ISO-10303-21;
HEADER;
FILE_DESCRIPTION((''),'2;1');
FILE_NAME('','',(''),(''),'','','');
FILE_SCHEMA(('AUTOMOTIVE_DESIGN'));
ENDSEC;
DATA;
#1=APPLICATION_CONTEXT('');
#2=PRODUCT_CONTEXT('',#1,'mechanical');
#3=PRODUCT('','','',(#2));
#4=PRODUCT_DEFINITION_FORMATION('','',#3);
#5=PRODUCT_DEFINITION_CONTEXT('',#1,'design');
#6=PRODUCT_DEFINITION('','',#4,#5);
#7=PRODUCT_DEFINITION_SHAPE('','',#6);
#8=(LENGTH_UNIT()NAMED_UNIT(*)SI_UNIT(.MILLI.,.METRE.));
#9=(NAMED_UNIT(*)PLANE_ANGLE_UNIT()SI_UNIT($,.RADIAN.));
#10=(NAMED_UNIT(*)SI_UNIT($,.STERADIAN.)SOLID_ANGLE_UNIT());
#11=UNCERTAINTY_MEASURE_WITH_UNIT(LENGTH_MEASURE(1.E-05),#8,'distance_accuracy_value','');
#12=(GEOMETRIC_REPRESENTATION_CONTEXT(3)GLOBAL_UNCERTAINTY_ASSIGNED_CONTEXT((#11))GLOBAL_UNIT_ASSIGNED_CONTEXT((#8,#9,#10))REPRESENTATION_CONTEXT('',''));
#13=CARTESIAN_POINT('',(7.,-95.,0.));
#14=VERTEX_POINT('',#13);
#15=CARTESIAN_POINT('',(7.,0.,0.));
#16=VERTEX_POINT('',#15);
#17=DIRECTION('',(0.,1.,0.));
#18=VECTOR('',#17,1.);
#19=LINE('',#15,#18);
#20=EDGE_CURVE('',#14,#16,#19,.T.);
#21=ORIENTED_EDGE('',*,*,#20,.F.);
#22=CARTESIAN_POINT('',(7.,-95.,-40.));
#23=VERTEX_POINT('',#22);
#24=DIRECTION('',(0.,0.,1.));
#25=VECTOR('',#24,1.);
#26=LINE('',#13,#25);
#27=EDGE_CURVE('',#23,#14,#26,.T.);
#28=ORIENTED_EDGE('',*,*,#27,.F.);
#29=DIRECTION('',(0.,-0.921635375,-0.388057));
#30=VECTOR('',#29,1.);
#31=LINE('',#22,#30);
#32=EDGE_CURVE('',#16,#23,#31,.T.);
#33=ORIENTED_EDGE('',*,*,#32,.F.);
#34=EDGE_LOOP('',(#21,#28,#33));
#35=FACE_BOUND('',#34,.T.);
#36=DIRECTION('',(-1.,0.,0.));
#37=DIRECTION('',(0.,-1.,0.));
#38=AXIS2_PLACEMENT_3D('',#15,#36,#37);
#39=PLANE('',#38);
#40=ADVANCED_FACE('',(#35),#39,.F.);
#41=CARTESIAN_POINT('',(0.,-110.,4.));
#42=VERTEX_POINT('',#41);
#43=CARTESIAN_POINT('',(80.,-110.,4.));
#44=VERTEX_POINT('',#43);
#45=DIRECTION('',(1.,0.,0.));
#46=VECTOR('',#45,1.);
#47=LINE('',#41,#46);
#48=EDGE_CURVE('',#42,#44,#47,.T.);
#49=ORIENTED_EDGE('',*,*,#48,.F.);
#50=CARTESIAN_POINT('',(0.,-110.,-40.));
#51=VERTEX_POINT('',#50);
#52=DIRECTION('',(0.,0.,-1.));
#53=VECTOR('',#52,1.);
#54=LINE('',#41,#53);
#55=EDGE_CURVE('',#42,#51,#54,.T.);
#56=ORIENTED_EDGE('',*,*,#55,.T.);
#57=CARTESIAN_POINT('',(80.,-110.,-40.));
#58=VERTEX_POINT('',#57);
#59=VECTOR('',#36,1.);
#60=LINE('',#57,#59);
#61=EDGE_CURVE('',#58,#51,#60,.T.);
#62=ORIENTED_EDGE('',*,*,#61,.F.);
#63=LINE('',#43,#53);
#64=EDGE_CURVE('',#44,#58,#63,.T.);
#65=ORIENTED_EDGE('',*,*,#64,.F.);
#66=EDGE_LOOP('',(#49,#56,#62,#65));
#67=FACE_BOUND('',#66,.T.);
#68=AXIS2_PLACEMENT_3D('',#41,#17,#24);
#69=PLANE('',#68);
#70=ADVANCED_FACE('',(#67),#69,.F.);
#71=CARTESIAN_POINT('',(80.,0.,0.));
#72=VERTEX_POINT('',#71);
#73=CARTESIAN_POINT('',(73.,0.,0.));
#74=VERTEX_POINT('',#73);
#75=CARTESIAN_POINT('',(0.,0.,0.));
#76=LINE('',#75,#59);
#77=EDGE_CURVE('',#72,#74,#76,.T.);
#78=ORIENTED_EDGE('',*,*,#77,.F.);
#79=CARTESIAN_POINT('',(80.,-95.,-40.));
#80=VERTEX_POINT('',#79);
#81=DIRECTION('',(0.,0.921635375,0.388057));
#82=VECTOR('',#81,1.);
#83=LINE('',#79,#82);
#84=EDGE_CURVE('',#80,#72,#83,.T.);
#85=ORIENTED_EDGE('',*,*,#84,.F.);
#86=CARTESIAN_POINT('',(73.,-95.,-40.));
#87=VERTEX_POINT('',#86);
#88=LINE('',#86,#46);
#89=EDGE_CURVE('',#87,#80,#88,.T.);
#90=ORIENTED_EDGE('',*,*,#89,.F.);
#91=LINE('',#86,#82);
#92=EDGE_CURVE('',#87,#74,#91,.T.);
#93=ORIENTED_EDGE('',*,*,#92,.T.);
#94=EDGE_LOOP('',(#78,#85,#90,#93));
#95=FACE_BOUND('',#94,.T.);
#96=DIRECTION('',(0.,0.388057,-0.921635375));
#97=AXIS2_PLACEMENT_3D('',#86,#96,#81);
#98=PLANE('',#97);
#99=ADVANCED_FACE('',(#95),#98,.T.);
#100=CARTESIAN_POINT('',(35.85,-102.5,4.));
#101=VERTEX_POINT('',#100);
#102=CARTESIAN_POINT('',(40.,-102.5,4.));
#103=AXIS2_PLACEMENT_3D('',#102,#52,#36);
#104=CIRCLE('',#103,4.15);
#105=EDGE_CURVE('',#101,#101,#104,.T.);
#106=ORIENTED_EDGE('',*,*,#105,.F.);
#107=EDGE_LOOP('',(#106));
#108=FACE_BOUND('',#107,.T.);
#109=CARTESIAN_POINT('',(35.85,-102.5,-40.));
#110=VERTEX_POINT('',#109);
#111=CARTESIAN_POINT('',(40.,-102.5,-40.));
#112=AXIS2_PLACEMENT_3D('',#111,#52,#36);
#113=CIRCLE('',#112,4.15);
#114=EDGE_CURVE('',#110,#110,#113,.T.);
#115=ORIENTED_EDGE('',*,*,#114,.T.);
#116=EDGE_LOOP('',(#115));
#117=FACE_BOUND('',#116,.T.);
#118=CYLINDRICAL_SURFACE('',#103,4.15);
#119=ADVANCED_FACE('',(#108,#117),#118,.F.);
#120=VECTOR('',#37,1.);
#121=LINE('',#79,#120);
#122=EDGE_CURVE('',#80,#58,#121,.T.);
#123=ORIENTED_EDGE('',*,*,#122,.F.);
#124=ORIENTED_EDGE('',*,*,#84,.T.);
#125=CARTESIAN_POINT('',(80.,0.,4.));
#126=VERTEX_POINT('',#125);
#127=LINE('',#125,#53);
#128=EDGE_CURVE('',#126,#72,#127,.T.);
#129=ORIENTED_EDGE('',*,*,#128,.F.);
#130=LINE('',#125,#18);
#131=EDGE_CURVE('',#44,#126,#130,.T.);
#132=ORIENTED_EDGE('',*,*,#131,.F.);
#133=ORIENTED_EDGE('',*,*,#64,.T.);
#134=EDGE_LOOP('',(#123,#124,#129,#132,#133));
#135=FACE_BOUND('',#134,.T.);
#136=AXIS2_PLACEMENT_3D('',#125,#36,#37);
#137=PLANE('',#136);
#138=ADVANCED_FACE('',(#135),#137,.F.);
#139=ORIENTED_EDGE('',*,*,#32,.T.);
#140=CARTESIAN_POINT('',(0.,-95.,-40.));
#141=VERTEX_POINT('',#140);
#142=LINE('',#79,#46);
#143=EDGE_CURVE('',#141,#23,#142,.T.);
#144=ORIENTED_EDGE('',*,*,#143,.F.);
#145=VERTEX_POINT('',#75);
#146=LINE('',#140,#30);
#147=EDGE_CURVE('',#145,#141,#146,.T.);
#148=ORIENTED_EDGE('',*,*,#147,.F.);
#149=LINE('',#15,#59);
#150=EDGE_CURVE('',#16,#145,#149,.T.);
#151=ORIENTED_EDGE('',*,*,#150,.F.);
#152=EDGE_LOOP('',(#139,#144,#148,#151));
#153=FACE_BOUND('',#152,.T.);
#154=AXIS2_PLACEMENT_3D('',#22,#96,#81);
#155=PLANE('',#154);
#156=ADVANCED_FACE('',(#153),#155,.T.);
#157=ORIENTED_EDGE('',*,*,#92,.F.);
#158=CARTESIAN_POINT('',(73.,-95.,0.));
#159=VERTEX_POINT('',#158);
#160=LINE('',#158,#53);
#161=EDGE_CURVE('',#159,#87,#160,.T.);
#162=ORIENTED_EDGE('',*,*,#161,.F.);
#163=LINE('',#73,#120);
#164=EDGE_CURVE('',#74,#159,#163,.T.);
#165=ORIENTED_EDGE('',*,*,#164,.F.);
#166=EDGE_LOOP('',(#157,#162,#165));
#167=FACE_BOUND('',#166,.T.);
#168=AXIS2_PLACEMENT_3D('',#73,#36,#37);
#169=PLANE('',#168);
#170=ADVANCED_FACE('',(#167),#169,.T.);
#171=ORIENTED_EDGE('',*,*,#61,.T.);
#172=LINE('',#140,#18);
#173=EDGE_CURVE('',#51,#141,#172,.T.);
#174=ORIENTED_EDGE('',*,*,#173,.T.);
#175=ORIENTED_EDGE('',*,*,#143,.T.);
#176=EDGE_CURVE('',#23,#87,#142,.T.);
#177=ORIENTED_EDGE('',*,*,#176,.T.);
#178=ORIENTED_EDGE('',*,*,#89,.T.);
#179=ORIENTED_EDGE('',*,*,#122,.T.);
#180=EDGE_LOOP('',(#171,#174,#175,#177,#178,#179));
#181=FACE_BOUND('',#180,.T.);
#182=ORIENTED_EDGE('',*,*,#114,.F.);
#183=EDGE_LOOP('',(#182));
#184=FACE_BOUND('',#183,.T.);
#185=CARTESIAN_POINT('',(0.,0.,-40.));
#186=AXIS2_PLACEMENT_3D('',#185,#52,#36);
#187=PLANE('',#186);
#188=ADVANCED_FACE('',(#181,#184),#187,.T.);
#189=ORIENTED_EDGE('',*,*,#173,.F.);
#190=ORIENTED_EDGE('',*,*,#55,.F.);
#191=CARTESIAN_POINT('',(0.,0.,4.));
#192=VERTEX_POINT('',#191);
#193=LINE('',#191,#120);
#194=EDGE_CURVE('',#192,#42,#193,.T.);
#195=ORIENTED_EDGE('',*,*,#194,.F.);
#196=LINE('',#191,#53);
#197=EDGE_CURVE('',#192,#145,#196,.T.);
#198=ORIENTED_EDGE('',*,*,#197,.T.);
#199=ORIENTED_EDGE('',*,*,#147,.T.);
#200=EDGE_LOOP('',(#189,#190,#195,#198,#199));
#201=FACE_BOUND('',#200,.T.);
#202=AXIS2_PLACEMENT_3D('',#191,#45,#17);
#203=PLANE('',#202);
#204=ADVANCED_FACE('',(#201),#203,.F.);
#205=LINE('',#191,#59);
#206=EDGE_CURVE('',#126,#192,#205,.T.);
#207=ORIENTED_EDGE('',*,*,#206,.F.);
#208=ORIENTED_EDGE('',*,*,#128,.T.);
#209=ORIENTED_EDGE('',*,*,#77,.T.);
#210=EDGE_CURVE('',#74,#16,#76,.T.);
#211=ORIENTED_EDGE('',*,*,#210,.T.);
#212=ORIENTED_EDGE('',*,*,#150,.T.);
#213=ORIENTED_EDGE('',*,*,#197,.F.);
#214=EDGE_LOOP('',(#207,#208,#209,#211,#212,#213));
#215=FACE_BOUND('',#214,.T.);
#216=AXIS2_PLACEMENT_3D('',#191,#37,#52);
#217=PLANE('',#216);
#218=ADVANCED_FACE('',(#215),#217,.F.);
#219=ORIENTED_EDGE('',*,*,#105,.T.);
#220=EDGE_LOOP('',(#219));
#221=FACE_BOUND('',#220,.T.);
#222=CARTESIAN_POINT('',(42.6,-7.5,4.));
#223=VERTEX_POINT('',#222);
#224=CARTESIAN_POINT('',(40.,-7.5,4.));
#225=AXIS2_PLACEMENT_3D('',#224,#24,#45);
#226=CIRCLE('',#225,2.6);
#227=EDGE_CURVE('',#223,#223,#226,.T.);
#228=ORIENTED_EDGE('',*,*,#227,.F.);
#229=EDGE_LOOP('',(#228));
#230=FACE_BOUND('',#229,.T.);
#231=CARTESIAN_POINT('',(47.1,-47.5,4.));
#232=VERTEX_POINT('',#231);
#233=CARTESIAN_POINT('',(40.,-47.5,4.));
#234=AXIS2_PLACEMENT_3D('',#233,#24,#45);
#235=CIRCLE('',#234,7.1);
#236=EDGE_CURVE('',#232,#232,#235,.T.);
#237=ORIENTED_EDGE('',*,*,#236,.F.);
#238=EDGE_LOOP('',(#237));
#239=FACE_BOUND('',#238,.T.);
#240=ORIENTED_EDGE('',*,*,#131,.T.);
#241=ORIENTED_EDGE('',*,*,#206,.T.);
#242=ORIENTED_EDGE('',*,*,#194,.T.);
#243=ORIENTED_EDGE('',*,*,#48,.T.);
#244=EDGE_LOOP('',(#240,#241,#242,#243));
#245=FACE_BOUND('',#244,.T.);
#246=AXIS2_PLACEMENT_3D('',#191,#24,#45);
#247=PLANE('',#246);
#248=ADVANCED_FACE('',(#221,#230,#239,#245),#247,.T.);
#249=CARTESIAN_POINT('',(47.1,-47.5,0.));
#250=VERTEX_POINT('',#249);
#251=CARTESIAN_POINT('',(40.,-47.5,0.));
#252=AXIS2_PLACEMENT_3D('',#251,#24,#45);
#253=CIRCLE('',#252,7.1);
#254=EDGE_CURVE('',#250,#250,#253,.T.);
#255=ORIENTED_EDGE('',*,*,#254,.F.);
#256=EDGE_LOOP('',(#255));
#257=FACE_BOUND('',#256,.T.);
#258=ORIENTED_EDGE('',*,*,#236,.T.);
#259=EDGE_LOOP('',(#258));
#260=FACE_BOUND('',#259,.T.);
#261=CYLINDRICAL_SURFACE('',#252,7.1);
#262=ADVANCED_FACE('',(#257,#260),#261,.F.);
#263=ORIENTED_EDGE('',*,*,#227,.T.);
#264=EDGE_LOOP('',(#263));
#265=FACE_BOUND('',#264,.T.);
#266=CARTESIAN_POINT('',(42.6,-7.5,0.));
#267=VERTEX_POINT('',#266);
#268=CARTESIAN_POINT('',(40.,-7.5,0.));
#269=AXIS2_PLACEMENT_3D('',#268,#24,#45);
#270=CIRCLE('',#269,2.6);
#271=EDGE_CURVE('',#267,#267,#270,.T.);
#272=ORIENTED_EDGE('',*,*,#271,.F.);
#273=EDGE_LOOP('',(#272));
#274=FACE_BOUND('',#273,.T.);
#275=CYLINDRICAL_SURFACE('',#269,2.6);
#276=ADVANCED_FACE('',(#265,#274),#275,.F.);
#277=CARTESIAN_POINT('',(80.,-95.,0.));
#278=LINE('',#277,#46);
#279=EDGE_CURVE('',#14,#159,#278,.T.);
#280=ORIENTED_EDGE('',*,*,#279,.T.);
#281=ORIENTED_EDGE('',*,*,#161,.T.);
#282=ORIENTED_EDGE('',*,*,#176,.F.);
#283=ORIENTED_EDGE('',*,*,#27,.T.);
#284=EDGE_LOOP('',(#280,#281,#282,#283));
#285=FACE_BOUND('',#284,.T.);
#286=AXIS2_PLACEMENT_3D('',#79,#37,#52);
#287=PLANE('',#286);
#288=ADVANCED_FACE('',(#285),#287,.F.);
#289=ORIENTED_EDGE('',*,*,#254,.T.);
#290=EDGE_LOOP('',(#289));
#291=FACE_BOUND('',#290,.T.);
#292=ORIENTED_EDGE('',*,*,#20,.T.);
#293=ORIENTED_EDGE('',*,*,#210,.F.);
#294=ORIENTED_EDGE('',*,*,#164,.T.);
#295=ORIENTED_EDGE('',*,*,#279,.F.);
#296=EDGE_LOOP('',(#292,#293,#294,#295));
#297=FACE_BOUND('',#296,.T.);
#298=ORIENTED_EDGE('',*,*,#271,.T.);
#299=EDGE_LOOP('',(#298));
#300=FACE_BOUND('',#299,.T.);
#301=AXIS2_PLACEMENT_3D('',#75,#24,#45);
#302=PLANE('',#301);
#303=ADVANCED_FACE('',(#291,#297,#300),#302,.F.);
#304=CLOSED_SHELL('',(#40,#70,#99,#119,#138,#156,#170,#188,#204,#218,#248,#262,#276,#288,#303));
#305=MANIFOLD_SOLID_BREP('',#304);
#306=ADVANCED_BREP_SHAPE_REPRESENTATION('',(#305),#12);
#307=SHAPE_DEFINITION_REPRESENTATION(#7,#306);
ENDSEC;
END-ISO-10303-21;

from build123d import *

# Parameters (mm, degrees)
SKETCH_1_W          = 80
SKETCH_1_H          = 110
EXTRUDE_1_DEPTH     = 4
SKETCH_2_R          = 7.1
SKETCH_2_R_2        = 2.6
CUT_EXTRUDE_1_DEPTH = 137.073509545
SKETCH_3_W          = 80
SKETCH_3_H          = 15
EXTRUDE_2_DEPTH     = 40
SKETCH_4_R          = 4.15
CUT_EXTRUDE_2_DEPTH = 143.954538228
EXTRUDE_3_DEPTH     = 7
EXTRUDE_4_DEPTH     = 7


with BuildPart() as part:
    # 草图1 → 凸台-拉伸1 (new body)
    with BuildSketch(Plane.XY):
        with Locations((40, -55)):
            Rectangle(SKETCH_1_W, SKETCH_1_H)
    extrude(amount=EXTRUDE_1_DEPTH)

    # 草图2 → 切除-拉伸1 (cut, through all)
    with BuildSketch(Plane.XY.offset(4)):
        with Locations((40, -47.5)):
            Circle(SKETCH_2_R)
        with Locations((40, -7.5)):
            Circle(SKETCH_2_R_2)
    extrude(amount=-CUT_EXTRUDE_1_DEPTH, mode=Mode.SUBTRACT)

    # 草图3 → 凸台-拉伸2 (add)
    with BuildSketch(Plane(origin=(0, 0, 0), x_dir=(-1, 0, 0), z_dir=(0, 0, -1))):
        with Locations((-40, -102.5)):
            Rectangle(SKETCH_3_W, SKETCH_3_H)
    extrude(amount=EXTRUDE_2_DEPTH)

    # 草图4 → 切除-拉伸2 (cut, through all)
    with BuildSketch(Plane(origin=(0, 0, -40), x_dir=(-1, 0, 0), z_dir=(0, 0, -1))):
        with Locations((-40, -102.5)):
            Circle(SKETCH_4_R)
    extrude(amount=-CUT_EXTRUDE_2_DEPTH, mode=Mode.SUBTRACT)

    # 草图5 → 凸台-拉伸3 (add)
    with BuildSketch(Plane(origin=(80, 0, 0), x_dir=(0, 0, -1), z_dir=(1, 0, 0))):
        Polygon((0, 0), (0, -95), (40, -95), align=None)
    extrude(amount=-EXTRUDE_3_DEPTH)

    # 草图6 → 凸台-拉伸4 (add)
    with BuildSketch(Plane.ZY):
        Polygon((0, 0), (0, -95), (-40, -95), align=None)
    extrude(amount=-EXTRUDE_4_DEPTH)


solid = part.part
